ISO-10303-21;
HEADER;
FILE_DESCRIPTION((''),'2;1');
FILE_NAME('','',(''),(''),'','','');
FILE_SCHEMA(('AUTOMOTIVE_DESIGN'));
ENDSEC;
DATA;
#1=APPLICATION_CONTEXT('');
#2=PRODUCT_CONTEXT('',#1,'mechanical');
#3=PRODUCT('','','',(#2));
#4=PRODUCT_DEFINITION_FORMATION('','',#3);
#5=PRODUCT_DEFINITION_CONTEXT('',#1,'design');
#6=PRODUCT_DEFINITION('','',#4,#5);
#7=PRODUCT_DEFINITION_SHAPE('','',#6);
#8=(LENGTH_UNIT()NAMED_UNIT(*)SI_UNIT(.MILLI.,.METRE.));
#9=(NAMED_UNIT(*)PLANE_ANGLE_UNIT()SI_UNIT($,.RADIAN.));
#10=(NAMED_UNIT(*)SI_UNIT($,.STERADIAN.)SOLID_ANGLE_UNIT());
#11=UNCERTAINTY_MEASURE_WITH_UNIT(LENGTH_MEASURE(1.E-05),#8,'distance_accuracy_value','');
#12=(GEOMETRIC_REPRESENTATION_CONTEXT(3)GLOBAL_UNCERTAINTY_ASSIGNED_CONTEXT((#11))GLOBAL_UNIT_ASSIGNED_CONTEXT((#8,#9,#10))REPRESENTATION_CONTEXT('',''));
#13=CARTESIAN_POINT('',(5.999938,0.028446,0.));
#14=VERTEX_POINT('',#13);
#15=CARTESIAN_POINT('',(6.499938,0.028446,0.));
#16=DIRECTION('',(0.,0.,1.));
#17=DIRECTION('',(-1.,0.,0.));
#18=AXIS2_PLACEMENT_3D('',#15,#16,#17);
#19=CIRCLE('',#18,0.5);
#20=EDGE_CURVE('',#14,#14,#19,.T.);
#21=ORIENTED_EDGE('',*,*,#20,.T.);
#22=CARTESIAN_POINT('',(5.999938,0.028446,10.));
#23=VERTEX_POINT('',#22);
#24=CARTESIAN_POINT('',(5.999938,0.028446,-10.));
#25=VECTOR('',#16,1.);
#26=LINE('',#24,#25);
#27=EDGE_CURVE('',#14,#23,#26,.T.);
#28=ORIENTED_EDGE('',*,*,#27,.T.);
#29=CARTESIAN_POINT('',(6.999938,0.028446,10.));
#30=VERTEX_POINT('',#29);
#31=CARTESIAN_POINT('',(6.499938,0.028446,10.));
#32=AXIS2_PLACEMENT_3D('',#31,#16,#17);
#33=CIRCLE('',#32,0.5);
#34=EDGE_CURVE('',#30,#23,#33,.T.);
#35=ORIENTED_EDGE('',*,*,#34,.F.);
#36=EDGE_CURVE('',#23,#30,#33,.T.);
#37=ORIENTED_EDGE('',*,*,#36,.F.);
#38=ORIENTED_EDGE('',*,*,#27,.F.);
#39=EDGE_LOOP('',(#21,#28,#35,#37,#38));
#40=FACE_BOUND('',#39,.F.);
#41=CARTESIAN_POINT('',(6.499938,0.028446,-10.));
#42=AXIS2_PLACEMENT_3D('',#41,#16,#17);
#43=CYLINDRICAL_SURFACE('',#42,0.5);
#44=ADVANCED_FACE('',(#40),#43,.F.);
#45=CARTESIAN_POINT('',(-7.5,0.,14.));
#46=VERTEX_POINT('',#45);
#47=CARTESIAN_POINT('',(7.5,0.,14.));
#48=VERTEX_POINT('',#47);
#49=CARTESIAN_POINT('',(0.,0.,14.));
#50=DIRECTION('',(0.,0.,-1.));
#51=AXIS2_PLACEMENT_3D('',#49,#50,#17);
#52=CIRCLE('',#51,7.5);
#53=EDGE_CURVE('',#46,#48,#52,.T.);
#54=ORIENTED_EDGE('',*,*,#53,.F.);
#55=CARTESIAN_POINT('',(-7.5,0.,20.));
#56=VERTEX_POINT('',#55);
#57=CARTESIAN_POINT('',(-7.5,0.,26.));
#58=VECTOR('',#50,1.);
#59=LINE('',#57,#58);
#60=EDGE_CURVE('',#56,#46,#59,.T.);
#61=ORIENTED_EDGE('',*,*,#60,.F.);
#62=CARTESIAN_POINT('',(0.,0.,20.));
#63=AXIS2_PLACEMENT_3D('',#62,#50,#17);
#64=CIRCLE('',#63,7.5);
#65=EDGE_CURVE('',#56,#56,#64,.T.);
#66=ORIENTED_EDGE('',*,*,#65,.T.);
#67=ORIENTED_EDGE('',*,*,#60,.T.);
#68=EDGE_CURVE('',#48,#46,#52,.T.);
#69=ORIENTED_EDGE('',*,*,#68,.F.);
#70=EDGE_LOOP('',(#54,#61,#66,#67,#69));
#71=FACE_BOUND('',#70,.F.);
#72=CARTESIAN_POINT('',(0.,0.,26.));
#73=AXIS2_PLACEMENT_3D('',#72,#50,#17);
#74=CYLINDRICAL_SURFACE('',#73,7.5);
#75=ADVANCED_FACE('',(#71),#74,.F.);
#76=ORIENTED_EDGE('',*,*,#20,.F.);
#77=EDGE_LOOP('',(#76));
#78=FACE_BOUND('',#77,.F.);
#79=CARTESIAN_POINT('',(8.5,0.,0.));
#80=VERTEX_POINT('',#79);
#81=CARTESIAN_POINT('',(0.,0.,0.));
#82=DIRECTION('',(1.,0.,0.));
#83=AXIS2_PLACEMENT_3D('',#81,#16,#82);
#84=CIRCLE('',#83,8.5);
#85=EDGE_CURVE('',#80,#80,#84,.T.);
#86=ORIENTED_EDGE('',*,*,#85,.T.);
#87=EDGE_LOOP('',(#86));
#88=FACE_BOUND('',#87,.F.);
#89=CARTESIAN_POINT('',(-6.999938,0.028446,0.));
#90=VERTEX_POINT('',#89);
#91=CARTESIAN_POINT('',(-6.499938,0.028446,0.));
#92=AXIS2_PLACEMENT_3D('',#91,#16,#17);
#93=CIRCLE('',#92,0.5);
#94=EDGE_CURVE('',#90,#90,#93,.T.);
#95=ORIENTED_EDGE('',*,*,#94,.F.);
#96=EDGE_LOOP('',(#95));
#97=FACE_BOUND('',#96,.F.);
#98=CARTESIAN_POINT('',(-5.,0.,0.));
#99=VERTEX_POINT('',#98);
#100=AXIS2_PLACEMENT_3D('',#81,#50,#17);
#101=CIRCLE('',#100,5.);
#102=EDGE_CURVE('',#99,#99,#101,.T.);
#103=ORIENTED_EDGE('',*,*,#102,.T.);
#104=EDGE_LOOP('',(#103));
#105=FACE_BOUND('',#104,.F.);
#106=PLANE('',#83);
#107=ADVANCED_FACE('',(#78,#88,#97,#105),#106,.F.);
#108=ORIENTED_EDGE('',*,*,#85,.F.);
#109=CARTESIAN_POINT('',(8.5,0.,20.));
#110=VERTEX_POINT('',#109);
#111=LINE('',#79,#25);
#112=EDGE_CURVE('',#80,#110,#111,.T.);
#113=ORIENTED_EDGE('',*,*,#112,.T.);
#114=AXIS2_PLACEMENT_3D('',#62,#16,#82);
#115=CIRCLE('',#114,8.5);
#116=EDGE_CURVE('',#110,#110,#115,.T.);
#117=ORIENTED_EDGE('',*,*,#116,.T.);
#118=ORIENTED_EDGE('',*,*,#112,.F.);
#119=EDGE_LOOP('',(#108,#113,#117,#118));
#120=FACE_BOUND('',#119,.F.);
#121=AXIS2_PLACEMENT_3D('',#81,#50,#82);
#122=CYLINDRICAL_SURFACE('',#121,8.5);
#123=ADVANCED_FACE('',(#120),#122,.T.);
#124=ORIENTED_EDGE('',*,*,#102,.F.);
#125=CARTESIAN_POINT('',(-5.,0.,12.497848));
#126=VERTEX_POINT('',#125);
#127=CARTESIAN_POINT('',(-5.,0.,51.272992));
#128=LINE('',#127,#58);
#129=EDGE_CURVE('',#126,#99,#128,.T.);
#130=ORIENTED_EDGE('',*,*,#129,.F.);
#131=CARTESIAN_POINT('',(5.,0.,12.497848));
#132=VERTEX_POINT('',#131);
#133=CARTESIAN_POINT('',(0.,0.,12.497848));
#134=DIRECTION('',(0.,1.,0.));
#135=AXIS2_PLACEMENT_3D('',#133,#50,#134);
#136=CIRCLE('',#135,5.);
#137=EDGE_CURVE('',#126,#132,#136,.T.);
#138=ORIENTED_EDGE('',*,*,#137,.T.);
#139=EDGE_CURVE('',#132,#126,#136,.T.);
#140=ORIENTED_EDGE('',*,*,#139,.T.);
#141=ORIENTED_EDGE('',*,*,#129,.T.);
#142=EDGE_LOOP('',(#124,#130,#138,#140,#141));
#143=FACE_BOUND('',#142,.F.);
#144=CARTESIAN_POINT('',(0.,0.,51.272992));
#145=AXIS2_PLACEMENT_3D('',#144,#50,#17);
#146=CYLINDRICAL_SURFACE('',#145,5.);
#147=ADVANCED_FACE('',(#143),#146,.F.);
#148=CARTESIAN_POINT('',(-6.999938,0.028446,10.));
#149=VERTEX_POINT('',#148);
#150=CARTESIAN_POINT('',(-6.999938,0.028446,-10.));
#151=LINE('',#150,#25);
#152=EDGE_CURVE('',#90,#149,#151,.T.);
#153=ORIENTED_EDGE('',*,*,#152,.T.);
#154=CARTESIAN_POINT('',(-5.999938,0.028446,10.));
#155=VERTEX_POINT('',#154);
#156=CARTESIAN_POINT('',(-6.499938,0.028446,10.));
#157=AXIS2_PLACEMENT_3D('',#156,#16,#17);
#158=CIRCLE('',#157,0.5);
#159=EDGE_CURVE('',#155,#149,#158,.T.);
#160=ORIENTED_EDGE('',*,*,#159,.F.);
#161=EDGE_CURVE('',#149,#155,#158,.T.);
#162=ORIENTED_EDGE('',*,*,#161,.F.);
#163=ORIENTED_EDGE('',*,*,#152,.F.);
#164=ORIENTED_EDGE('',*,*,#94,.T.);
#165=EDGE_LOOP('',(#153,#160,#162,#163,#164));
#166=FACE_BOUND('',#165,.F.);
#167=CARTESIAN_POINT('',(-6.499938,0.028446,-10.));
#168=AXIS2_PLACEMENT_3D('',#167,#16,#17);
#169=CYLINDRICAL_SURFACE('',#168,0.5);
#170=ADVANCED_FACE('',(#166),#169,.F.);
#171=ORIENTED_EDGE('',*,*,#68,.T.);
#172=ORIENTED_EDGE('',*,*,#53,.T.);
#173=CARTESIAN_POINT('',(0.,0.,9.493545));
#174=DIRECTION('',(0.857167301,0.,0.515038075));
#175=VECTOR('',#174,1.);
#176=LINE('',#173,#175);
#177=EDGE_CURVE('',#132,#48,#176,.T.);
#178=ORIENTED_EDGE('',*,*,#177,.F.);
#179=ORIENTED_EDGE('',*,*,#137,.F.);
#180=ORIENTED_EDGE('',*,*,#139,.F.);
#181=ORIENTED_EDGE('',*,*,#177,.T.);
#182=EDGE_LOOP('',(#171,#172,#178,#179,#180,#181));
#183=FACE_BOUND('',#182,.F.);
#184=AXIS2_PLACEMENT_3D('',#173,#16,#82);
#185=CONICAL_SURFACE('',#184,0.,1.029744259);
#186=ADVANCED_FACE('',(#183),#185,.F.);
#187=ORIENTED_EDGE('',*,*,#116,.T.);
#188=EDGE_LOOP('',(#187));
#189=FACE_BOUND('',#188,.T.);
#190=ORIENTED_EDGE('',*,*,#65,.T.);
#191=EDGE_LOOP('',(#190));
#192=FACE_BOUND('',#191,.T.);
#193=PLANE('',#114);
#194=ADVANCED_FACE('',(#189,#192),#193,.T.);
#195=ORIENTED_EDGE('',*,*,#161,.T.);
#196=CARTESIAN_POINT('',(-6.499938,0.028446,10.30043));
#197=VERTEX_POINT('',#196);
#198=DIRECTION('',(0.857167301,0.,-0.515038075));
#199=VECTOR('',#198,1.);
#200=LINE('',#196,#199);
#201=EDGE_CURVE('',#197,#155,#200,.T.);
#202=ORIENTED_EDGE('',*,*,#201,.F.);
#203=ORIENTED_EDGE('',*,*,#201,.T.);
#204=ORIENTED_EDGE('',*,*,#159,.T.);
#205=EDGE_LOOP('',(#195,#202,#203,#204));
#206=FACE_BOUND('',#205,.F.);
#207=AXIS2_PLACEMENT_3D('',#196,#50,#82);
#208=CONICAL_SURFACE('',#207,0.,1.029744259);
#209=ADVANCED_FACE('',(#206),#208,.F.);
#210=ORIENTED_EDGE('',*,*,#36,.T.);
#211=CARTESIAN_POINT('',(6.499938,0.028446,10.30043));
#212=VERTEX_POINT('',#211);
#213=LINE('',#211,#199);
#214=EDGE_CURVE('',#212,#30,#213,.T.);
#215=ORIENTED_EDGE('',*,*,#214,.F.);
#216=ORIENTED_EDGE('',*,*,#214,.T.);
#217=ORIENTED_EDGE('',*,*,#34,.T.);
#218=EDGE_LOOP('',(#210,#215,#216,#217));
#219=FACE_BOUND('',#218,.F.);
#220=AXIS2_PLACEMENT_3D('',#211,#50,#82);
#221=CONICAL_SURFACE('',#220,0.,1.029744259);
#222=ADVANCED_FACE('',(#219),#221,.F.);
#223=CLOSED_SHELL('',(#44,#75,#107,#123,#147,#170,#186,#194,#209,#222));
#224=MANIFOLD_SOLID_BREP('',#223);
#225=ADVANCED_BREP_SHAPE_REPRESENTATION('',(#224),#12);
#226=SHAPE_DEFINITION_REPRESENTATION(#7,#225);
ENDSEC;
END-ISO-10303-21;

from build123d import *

# Parameters (mm, degrees)
F0_R     = 8.5
F1_DEPTH = 20
F3_D     = 10
F4_D     = 15
F4_DEPTH = 6
F4_TIP   = 4.5064546427
F6_D     = 1
F6_DEPTH = 10
F6_TIP   = 0.3004303095


with BuildPart() as f1:
    # F0 (on Top) → F1 (new body)
    with BuildSketch(Plane.XY):
        Circle(F0_R)
    extrude(amount=F1_DEPTH)

    # F3 (through all)
    with Locations(Plane.XY.offset(20)):
        with Locations((0, 0)):
            Hole(F3_D / 2)

    # F4
    with Locations(Plane.XY.offset(20)):
        with Locations((0, 0)):
            Hole(F4_D / 2, depth=F4_DEPTH)
            with Locations((0, 0, -(F4_DEPTH + F4_TIP / 2))):  # 118° drill point
                Cone(0, F4_D / 2, F4_TIP, mode=Mode.SUBTRACT)

    # F6
    with Locations(Plane(origin=(0, 0, 0), x_dir=(1, 0, 0), z_dir=(0, 0, -1))):
        with Locations((-6.499937755, -0.0284461158), (6.499937755, -0.0284461158)):
            Hole(F6_D / 2, depth=F6_DEPTH)
            with Locations((0, 0, -(F6_DEPTH + F6_TIP / 2))):  # 118° drill point
                Cone(0, F6_D / 2, F6_TIP, mode=Mode.SUBTRACT)


solid = f1.part
